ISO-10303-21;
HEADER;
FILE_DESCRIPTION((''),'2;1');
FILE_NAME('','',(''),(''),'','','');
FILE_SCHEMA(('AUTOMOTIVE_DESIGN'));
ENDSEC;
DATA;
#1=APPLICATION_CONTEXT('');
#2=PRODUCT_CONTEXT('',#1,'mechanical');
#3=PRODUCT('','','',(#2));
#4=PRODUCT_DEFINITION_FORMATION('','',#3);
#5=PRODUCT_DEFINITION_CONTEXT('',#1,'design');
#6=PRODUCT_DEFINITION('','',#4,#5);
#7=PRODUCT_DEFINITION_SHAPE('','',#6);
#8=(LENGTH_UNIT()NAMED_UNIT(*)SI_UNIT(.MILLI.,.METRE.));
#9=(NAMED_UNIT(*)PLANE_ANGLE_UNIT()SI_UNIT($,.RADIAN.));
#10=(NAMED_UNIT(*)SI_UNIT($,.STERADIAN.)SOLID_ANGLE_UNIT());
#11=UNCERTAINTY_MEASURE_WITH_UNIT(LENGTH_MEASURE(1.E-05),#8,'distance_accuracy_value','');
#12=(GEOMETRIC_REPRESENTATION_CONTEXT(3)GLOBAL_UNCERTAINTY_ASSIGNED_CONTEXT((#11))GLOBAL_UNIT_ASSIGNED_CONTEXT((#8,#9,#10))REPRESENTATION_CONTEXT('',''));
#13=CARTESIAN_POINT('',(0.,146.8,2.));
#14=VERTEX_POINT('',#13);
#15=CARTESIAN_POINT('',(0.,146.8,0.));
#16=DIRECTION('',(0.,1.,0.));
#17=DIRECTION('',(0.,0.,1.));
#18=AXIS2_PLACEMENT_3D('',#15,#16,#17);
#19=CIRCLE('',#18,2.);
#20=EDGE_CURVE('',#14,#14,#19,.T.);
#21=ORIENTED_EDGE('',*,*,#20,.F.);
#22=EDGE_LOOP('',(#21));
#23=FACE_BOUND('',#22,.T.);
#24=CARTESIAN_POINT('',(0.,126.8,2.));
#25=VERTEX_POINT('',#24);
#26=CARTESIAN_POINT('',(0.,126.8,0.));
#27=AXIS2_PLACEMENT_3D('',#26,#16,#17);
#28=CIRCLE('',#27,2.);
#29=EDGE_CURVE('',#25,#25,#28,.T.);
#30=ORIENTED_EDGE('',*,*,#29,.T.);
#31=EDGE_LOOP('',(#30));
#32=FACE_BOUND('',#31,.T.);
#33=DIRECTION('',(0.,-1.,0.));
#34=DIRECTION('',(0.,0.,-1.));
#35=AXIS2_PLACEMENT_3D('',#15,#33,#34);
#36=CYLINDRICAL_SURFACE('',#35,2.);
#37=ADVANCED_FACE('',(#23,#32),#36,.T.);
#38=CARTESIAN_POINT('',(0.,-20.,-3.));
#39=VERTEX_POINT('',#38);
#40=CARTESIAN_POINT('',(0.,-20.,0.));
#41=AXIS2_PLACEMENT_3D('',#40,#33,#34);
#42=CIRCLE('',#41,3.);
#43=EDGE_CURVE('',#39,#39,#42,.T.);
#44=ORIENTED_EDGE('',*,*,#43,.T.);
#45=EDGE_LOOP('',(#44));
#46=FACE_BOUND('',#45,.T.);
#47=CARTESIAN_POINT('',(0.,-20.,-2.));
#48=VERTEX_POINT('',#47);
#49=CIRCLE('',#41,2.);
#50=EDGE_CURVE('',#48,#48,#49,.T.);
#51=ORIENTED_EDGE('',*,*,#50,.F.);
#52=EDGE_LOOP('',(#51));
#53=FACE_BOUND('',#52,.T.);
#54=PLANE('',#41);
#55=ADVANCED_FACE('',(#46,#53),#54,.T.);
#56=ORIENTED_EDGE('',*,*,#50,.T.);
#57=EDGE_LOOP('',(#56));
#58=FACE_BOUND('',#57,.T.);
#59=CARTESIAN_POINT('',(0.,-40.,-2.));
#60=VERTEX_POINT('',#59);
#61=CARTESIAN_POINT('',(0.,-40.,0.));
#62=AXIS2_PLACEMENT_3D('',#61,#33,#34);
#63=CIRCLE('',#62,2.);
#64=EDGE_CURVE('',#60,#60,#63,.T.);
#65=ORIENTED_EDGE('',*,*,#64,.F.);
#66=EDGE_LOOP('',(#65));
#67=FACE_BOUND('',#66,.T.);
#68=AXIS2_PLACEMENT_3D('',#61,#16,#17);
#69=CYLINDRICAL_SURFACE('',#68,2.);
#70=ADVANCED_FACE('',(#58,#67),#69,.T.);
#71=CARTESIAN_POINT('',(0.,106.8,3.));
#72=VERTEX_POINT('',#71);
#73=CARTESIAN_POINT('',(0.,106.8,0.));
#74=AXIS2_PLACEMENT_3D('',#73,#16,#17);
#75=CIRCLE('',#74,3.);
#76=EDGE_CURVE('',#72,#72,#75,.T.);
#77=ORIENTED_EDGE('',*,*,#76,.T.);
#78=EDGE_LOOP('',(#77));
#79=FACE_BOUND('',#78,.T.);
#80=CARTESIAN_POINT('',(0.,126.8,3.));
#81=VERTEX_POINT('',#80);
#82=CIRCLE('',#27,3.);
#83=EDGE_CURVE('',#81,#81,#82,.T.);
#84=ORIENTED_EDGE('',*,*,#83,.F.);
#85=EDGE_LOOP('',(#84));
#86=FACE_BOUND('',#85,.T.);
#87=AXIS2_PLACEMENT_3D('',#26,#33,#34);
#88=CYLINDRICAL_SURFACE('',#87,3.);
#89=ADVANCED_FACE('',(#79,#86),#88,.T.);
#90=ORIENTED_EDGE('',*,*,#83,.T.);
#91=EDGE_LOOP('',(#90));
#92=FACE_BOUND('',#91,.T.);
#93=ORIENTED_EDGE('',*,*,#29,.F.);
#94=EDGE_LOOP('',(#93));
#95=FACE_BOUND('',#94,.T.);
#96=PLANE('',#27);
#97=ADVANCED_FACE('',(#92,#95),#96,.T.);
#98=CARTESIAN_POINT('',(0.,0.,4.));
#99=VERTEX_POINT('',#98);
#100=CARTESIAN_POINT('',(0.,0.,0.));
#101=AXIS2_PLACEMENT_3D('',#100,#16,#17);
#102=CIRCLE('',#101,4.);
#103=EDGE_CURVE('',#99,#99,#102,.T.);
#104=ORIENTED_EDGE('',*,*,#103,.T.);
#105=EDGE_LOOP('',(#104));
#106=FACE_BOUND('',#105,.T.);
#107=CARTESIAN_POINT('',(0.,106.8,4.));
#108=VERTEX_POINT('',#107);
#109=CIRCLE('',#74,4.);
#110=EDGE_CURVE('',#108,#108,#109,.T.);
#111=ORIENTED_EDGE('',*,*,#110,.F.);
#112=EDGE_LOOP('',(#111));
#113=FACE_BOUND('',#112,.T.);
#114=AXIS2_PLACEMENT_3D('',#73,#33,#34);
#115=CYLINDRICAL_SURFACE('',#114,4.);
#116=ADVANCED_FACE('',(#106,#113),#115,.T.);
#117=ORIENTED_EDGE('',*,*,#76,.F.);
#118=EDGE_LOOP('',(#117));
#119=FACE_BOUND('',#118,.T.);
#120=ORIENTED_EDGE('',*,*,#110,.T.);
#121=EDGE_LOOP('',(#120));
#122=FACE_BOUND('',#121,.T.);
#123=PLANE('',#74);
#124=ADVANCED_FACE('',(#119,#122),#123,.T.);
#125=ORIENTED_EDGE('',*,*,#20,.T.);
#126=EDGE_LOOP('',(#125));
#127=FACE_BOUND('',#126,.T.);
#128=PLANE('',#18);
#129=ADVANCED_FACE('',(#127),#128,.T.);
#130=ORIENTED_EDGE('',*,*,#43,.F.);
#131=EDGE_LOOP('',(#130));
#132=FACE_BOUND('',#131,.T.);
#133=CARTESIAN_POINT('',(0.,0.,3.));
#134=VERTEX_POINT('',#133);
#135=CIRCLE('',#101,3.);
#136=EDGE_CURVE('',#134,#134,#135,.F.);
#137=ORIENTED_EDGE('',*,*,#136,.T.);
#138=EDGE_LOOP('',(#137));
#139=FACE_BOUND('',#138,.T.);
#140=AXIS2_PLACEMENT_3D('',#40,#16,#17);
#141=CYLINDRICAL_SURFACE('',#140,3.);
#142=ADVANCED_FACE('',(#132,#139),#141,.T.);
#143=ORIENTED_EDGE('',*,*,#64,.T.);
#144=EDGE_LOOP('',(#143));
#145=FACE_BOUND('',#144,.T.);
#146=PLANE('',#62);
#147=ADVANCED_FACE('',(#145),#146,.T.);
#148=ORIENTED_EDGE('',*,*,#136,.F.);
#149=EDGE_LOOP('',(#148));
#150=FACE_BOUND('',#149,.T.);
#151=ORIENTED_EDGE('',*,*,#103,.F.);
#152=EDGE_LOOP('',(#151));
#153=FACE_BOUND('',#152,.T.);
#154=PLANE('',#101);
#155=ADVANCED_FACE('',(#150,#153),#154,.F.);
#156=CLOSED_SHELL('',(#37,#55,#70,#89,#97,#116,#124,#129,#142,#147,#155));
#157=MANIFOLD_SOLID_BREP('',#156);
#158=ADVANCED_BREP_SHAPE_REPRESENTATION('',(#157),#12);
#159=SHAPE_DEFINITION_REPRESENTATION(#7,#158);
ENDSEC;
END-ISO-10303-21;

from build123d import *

# Parameters (mm, degrees)
SKETCH_1_R      = 4
EXTRUDE_1_DEPTH = 106.8
SKETCH_2_R      = 3
EXTRUDE_2_DEPTH = 20
SKETCH_3_R      = 2
EXTRUDE_3_DEPTH = 20
EXTRUDE_START   = 20
SKETCH_4_R      = 3
EXTRUDE_4_DEPTH = 20
SKETCH_5_R      = 2
EXTRUDE_5_DEPTH = 20


with BuildPart() as part:
    # 草图1 → 凸台-拉伸1 (new body)
    with BuildSketch(Plane(origin=(0, 0, 0), x_dir=(1, 0, 0), z_dir=(0, 1, 0))):
        with Locations(Location((0, 0, 0), (0, 0, 270))):
            Circle(SKETCH_1_R)
    extrude(amount=EXTRUDE_1_DEPTH)

    # 草图2 → 凸台-拉伸2 (add)
    with BuildSketch(Plane(origin=(0, 106.8, 0), x_dir=(1, 0, 0), z_dir=(0, 1, 0))):
        with Locations(Location((0, 0, 0), (0, 0, 270))):
            Circle(SKETCH_2_R)
    extrude(amount=EXTRUDE_2_DEPTH)

    # 草图3 → 凸台-拉伸3 (add)
    with BuildSketch(Plane(origin=(0, 126.8, 0), x_dir=(1, 0, 0), z_dir=(0, 1, 0))):
        with Locations(Location((0, 0, 0), (0, 0, 270))):
            Circle(SKETCH_3_R)
    extrude(amount=EXTRUDE_3_DEPTH)

    # 草图4 → 凸台-拉伸4 (add)
    with BuildSketch(Plane.XZ.offset(EXTRUDE_START)):
        with Locations(Location((0, 0, 0), (0, 0, 90))):
            Circle(SKETCH_4_R)
    extrude(amount=-EXTRUDE_4_DEPTH)

    # 草图5 → 凸台-拉伸5 (add)
    with BuildSketch(Plane.XZ.offset(20).offset(EXTRUDE_START)):
        with Locations(Location((0, 0, 0), (0, 0, 90))):
            Circle(SKETCH_5_R)
    extrude(amount=-EXTRUDE_5_DEPTH)


solid = part.part
